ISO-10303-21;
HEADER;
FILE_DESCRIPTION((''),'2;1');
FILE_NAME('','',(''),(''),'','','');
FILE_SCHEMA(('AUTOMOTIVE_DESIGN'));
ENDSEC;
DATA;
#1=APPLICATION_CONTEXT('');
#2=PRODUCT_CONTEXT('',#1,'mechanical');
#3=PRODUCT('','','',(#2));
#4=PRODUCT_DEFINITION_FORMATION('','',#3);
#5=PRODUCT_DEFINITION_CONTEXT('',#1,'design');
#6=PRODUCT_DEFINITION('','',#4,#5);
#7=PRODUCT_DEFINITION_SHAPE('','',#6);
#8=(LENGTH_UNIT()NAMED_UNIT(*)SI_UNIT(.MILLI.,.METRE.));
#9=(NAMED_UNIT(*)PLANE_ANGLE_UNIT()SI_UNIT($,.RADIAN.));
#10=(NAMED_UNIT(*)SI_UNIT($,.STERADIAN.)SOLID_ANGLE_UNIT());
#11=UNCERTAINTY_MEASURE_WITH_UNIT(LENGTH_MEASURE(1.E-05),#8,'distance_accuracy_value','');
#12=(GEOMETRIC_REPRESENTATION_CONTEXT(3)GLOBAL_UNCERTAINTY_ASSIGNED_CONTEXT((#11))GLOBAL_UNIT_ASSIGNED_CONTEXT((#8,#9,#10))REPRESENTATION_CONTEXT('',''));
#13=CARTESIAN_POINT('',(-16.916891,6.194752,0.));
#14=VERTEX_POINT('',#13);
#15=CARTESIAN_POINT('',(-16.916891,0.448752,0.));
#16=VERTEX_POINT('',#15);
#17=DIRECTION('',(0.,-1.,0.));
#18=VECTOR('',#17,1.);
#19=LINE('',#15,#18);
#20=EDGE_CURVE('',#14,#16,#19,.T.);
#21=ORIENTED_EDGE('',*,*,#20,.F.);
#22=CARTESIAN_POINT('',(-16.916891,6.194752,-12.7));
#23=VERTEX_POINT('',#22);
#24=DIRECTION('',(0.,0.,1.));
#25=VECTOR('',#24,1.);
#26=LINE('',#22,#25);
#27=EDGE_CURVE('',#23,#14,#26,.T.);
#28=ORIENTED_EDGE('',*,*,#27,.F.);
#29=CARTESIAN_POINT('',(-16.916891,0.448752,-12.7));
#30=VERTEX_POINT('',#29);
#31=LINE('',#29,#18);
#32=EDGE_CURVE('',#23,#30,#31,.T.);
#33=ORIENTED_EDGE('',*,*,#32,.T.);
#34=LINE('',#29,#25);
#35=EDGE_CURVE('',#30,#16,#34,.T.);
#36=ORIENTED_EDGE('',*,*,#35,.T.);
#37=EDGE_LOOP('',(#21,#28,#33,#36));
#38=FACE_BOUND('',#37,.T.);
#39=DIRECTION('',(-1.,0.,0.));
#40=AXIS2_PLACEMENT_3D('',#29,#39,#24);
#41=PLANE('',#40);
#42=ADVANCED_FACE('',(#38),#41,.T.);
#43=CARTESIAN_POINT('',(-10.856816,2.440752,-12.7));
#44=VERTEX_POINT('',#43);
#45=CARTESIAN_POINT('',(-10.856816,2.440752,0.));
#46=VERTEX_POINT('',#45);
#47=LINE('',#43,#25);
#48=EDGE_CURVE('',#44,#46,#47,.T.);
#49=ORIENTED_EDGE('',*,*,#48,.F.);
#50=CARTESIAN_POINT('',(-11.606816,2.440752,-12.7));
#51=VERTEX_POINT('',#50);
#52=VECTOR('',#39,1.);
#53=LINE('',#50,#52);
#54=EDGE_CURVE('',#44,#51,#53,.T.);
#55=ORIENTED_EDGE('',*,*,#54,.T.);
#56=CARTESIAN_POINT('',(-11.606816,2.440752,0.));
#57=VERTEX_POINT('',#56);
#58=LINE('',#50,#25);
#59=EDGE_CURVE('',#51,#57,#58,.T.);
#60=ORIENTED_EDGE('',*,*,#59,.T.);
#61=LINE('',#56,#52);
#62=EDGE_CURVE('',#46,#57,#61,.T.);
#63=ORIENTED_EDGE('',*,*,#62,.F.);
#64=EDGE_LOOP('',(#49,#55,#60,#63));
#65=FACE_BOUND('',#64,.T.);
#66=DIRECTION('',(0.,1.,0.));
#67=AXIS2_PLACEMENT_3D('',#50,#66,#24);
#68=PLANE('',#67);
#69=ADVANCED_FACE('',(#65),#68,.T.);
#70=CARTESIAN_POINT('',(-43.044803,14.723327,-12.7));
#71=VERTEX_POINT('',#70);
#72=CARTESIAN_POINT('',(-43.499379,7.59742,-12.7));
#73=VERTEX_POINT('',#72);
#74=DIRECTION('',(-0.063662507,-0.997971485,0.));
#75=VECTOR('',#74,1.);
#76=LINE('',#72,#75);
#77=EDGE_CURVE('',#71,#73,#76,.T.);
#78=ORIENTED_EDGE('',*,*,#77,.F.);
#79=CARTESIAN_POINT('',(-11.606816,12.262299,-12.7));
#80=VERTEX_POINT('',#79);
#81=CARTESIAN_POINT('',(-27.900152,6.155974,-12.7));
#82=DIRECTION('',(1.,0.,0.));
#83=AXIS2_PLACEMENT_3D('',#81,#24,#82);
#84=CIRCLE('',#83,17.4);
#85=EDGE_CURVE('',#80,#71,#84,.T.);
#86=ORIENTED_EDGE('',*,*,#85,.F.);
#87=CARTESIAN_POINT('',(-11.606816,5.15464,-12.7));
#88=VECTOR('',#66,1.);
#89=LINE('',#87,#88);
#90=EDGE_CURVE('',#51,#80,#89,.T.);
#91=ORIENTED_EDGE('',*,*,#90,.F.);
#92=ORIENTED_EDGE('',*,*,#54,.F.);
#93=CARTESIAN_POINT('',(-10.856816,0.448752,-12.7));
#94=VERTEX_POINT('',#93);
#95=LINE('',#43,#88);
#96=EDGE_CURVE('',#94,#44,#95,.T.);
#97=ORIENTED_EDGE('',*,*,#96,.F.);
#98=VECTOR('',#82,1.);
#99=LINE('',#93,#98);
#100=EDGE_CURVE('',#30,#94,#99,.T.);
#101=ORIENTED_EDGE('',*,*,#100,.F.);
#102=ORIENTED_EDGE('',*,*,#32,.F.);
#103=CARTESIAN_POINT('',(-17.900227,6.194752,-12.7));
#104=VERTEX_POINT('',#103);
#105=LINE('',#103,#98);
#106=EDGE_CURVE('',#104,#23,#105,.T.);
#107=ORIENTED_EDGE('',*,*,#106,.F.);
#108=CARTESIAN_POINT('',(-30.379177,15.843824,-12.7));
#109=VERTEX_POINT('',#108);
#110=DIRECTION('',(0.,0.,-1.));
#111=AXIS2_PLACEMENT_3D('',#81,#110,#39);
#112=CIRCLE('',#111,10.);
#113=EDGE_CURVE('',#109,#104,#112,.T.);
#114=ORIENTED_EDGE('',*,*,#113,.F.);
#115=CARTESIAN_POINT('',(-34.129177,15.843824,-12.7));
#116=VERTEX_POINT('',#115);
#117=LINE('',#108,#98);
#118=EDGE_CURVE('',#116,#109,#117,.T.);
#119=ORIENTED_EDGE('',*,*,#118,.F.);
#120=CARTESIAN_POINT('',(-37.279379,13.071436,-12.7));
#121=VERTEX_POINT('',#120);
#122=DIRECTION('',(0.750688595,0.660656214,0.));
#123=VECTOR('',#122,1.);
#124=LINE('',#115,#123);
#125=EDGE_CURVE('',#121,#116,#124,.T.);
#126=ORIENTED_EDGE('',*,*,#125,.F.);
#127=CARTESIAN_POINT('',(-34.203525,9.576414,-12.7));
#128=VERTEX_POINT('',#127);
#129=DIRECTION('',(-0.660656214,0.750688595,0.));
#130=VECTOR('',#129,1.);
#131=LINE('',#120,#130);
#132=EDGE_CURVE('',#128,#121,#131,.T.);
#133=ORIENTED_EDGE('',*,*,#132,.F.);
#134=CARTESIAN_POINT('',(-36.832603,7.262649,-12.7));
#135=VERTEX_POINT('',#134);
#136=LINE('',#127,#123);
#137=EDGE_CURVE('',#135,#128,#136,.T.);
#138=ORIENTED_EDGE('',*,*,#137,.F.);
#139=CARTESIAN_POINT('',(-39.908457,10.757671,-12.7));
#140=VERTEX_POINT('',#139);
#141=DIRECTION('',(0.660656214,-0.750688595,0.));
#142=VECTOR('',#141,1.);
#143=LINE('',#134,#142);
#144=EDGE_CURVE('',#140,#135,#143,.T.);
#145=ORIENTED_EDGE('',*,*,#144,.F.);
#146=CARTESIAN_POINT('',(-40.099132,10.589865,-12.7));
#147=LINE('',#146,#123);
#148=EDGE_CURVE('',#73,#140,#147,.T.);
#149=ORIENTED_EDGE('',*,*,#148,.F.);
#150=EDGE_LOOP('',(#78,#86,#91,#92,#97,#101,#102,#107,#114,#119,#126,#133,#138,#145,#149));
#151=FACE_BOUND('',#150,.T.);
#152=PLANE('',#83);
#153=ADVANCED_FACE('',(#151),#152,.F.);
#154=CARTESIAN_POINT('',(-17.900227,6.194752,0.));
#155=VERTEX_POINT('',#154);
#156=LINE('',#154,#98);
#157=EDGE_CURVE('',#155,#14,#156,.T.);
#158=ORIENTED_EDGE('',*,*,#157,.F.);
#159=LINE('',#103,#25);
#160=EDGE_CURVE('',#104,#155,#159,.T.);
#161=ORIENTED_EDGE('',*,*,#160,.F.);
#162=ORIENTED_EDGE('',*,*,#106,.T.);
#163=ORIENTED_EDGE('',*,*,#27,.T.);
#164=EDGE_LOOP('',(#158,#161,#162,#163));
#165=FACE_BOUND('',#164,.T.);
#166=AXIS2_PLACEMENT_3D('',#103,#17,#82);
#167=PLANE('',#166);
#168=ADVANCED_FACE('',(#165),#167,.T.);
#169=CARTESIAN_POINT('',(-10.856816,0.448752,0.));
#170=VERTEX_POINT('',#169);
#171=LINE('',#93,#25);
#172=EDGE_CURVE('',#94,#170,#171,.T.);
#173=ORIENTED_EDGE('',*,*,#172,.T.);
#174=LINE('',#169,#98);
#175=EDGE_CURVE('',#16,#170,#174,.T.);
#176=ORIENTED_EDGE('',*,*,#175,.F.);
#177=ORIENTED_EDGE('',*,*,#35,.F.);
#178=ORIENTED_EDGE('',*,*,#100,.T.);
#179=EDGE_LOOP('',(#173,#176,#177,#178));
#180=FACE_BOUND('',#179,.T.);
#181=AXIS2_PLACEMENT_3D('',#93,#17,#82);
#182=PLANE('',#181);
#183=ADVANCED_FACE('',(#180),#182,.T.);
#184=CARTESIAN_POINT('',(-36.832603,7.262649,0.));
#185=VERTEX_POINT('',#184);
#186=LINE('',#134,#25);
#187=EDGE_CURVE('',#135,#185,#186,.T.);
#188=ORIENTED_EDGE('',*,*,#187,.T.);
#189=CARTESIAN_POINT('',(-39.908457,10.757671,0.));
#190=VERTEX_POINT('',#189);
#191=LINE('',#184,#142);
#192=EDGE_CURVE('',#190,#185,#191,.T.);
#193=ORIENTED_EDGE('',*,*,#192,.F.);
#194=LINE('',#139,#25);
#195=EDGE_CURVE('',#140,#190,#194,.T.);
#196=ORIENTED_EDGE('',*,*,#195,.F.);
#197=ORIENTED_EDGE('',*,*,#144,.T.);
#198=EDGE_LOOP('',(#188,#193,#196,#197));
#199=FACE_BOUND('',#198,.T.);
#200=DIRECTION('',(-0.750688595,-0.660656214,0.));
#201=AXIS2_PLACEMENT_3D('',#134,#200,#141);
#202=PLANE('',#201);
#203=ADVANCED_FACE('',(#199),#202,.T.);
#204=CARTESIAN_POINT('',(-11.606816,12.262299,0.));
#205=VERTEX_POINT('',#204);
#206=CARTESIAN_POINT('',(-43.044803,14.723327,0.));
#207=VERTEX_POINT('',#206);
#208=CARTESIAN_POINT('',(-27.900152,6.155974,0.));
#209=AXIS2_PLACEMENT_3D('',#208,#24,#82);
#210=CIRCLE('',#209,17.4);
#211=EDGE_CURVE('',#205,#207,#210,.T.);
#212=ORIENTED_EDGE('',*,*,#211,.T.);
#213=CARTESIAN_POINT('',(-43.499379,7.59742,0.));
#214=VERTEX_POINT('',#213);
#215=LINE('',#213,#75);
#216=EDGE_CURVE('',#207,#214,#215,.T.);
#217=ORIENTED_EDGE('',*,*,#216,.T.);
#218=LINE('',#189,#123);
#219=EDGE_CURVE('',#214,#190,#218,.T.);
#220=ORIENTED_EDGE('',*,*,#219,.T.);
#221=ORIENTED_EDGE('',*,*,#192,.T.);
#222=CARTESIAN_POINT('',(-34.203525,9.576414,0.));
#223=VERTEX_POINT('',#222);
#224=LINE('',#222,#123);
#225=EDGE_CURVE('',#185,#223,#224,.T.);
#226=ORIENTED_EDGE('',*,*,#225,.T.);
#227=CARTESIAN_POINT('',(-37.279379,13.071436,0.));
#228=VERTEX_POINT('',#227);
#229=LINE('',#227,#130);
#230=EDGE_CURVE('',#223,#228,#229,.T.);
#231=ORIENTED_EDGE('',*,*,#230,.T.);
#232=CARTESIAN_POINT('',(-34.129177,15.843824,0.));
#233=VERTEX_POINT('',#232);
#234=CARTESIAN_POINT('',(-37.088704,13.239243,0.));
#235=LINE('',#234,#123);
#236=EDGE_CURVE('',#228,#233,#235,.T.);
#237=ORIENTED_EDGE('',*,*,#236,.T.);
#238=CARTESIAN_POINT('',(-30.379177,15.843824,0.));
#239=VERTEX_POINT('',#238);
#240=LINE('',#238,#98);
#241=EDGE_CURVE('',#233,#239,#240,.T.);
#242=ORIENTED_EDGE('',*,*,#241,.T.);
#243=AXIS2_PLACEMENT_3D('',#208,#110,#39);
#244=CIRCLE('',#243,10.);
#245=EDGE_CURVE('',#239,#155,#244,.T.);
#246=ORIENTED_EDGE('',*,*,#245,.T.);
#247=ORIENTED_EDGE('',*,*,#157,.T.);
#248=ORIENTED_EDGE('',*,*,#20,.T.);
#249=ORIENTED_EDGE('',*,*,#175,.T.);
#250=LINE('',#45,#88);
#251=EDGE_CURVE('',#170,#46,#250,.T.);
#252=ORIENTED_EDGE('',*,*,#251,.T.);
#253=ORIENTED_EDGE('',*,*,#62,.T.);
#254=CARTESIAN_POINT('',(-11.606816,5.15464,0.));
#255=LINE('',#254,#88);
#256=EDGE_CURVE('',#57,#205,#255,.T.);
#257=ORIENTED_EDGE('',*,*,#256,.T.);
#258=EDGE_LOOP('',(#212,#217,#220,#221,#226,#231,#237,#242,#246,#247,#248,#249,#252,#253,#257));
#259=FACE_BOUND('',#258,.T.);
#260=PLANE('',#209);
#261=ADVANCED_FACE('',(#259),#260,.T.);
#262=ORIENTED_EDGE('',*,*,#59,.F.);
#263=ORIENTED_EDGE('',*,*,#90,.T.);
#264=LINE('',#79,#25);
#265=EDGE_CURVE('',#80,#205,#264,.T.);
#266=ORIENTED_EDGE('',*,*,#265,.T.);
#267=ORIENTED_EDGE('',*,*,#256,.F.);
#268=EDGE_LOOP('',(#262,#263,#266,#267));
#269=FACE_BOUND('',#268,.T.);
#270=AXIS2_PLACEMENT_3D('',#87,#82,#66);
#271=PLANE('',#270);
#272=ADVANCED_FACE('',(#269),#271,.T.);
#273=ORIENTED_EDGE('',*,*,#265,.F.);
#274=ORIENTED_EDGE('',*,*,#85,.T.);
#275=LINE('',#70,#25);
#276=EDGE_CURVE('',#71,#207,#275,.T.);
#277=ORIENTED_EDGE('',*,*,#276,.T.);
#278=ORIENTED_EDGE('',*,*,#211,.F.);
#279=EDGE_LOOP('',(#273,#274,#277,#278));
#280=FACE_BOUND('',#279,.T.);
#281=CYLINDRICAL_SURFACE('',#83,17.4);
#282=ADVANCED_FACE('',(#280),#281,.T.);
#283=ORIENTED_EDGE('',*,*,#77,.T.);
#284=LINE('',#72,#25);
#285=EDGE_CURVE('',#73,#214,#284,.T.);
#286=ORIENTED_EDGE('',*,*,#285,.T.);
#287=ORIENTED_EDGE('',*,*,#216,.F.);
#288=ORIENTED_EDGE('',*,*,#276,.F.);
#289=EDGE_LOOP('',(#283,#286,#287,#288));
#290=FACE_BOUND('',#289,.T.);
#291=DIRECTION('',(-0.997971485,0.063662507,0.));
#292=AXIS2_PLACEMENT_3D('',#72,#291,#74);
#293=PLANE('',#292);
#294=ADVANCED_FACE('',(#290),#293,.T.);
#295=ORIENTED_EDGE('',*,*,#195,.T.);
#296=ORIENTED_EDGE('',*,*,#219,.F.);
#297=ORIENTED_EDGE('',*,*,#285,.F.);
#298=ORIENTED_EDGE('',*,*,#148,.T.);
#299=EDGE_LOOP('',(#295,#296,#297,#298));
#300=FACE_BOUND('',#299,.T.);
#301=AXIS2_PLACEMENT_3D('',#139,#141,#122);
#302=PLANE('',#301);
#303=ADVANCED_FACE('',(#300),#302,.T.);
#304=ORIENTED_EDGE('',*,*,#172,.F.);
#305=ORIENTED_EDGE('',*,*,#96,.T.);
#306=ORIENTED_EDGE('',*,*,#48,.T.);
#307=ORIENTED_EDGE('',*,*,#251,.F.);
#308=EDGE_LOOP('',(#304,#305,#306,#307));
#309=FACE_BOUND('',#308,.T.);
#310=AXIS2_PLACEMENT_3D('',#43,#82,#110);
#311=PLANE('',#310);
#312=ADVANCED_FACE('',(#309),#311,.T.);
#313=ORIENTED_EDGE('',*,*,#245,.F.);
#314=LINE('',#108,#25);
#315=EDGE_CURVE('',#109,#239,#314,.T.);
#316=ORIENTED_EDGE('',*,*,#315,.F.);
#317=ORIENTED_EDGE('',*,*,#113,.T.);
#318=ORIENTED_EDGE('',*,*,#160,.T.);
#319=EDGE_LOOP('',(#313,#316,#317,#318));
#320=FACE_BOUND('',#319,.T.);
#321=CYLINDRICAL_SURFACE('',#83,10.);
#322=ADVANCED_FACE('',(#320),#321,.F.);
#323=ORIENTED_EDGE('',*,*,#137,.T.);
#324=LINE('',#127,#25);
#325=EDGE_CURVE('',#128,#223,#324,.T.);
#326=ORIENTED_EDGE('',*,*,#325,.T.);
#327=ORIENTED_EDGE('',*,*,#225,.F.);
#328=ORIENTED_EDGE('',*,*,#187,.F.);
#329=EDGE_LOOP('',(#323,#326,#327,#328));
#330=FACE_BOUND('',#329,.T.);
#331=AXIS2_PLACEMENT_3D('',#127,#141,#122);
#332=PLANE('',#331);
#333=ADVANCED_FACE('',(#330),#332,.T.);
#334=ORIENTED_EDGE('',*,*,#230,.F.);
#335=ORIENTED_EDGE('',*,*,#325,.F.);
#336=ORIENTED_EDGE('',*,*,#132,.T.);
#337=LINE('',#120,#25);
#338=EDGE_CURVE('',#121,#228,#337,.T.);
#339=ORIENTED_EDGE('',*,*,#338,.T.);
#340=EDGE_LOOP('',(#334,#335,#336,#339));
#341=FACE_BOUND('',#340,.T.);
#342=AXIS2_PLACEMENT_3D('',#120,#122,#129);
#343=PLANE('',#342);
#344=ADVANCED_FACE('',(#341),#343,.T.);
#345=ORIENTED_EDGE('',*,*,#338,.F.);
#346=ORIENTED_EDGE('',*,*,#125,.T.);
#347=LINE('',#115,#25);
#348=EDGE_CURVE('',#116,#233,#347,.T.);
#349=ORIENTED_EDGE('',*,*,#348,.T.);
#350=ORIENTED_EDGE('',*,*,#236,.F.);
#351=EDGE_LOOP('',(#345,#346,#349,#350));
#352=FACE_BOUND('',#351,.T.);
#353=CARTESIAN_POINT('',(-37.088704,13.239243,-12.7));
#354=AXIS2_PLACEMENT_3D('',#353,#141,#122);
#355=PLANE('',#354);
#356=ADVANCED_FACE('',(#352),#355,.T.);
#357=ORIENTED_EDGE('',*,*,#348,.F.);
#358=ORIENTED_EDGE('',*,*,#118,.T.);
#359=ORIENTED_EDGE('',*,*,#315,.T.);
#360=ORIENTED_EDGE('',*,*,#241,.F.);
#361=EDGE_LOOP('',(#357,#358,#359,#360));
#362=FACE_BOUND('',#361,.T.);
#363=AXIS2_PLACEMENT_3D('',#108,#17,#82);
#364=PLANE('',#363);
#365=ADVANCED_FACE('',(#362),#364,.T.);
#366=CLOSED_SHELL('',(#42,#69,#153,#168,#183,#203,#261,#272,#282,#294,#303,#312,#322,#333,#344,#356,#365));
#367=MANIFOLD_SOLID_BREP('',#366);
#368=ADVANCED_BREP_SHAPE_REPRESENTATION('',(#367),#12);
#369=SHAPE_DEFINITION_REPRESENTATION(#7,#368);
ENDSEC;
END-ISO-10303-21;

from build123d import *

# Parameters (mm, degrees)
BOSS_EXTRUDE1_DEPTH = 12.7


with BuildPart() as part:
    # Sketch3 → Boss-Extrude1 (new body)
    with BuildSketch(Plane.XY):
        with BuildLine():
            Line((-39.908456621, 10.757671301), (-40.099131524, 10.589864623))
            Line((-40.099131524, 10.589864623), (-43.499378585, 7.5974196))
            Line((-43.499378585, 7.5974196), (-43.044803336, 14.723327074))
            ThreePointArc((-43.044803336, 14.723327074), (-26.54219977, 23.502903952), (-11.60681582, 12.262298946))
            Line((-11.60681582, 12.262298946), (-11.60681582, 5.15464013))
            Line((-11.60681582, 5.15464013), (-11.60681582, 2.440752288))
            Line((-11.60681582, 2.440752288), (-10.85681582, 2.440752288))
            Line((-10.85681582, 2.440752288), (-10.85681582, 0.448752288))
            Line((-10.85681582, 0.448752288), (-16.916890922, 0.448752288))
            Line((-16.916890922, 0.448752288), (-16.916890922, 6.194752288))
            Line((-16.916890922, 6.194752288), (-17.900227072, 6.194752288))
            ThreePointArc((-17.900227072, 6.194752288), (-21.783197569, 14.066907933), (-30.379177034, 15.843824196))
            Line((-30.379177034, 15.843824196), (-34.129177034, 15.843824196))
            Line((-34.129177034, 15.843824196), (-37.088703748, 13.23924258))
            Line((-37.088703748, 13.23924258), (-37.279378651, 13.071435901))
            Line((-37.279378651, 13.071435901), (-34.203525113, 9.576413645))
            Line((-34.203525113, 9.576413645), (-36.832603083, 7.262649045))
            Line((-36.832603083, 7.262649045), (-39.908456621, 10.757671301))
        make_face()
    extrude(amount=-BOSS_EXTRUDE1_DEPTH)


solid = part.part
